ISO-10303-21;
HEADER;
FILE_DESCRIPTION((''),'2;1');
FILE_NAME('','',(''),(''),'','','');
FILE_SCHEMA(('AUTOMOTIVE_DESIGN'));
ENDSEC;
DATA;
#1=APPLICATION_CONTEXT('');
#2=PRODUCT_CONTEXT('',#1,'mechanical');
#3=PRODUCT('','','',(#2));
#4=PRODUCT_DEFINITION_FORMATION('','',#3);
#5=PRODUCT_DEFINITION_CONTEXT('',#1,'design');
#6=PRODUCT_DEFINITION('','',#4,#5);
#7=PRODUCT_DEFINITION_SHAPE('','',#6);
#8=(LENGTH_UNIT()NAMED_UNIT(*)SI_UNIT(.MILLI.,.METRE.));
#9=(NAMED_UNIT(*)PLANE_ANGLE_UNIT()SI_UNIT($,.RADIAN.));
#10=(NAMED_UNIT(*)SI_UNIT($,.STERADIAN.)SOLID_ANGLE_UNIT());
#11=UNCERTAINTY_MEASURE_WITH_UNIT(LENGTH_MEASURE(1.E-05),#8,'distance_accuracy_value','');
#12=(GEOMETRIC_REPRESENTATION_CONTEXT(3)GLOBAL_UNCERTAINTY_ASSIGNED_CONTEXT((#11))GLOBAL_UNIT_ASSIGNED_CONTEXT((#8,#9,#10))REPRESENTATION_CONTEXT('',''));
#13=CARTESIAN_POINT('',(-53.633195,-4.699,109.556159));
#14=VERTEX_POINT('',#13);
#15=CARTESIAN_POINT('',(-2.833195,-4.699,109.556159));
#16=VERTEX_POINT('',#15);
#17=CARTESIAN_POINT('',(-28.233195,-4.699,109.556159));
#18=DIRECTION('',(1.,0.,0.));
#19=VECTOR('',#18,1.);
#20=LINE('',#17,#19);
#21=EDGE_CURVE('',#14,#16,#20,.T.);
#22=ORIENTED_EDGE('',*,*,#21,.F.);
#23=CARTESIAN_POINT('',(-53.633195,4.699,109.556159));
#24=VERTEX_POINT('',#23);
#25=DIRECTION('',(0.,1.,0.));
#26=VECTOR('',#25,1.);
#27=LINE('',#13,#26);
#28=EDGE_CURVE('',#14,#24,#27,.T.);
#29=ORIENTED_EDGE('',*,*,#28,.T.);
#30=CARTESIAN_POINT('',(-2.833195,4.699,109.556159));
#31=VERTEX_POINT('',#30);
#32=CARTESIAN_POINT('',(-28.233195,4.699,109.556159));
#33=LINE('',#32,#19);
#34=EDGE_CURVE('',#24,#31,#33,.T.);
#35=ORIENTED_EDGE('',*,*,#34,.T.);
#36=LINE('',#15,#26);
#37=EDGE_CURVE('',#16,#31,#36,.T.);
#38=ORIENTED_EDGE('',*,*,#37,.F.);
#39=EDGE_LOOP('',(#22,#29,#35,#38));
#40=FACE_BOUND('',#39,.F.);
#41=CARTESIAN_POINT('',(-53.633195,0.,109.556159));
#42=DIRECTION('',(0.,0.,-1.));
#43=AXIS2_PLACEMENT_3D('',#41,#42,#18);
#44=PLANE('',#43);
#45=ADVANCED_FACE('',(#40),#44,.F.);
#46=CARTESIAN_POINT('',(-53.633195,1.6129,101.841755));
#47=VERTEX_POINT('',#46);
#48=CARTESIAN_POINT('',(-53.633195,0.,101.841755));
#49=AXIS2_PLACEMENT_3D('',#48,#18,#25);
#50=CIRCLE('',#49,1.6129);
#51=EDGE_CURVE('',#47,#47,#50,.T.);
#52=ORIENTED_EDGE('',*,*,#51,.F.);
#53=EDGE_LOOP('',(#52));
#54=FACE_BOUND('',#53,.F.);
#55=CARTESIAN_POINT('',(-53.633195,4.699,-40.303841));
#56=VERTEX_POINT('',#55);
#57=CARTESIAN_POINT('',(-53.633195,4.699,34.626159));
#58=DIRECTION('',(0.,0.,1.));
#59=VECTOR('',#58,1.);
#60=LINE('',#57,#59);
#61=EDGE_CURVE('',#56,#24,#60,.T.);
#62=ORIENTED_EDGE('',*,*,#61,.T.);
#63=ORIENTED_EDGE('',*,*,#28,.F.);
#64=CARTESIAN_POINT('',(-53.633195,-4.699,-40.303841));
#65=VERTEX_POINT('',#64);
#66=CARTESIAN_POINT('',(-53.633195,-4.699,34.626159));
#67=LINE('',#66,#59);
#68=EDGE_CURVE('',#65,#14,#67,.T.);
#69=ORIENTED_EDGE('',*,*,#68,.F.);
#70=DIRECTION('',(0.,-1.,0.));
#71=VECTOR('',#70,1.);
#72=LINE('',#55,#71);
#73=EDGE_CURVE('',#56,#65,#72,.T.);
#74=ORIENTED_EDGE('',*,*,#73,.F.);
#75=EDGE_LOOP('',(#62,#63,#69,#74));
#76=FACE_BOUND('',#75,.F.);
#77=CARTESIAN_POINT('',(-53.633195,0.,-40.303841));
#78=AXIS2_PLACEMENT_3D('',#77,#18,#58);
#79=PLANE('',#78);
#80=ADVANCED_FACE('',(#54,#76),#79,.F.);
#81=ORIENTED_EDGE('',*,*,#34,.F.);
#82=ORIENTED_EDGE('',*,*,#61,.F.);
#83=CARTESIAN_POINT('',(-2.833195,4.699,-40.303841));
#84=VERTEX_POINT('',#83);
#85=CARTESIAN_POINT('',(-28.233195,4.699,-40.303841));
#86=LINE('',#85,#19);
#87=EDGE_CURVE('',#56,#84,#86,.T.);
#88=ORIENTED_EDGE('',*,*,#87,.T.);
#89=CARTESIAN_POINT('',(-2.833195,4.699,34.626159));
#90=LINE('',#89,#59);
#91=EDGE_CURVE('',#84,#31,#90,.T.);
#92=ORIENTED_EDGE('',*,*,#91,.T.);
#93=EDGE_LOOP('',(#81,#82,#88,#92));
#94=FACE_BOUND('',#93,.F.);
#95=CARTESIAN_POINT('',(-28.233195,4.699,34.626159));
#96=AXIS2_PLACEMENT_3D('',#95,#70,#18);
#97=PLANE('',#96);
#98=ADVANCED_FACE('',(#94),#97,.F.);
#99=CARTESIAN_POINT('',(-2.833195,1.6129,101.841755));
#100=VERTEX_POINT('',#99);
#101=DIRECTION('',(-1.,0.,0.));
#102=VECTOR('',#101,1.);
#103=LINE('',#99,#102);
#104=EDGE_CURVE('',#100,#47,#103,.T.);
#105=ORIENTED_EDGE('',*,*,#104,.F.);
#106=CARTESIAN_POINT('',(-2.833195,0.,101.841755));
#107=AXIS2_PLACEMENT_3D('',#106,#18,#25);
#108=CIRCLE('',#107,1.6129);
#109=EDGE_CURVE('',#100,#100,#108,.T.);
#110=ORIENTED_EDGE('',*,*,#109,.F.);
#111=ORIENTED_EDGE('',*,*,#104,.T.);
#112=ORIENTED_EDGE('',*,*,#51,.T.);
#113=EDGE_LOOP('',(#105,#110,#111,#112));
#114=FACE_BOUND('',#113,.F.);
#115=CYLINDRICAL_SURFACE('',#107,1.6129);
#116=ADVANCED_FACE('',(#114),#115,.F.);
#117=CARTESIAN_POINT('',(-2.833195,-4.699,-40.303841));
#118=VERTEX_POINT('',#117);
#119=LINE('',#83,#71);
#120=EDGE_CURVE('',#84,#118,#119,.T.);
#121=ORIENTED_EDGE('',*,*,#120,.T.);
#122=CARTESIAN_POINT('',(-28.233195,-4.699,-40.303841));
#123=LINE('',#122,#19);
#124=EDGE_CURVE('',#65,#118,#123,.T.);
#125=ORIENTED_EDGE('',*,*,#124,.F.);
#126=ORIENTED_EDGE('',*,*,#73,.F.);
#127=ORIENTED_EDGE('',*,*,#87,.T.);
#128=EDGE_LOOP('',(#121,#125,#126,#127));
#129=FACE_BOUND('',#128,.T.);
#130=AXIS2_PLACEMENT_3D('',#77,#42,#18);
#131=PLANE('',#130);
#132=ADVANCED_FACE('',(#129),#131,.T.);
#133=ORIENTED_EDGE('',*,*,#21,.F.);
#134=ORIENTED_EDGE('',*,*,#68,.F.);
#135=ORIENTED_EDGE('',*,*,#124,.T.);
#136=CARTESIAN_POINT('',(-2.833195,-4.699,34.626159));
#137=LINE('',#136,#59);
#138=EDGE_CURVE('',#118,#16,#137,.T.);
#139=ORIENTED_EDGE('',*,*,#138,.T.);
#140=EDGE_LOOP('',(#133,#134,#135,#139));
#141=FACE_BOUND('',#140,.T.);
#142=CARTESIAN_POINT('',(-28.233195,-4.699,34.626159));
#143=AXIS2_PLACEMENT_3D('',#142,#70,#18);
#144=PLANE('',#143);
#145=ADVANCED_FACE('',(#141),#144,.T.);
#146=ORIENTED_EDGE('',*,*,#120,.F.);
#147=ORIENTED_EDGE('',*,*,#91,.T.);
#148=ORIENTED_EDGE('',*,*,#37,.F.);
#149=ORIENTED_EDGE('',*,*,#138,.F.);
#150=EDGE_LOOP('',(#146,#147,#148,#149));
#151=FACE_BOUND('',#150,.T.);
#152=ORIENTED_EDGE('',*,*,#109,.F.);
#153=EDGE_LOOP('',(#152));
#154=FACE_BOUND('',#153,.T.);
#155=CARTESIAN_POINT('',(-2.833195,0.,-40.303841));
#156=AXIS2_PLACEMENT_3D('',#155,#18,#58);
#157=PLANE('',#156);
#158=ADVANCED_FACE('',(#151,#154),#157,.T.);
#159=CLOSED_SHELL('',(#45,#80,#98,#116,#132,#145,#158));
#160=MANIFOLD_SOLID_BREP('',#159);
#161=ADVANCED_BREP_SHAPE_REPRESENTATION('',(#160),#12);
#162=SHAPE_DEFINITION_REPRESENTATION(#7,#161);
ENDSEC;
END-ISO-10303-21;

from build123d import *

# Parameters (mm, degrees)
F0_W     = 50.8
F0_H     = 149.86
F1_DEPTH = 4.699
F2_R     = 1.6129
F3_DEPTH = 89.408


with BuildPart() as f1:
    # F0 (on Front) → F1 (new body, symmetric)
    with BuildSketch(Plane.XZ):
        with Locations((-28.233195, 34.626159)):
            Rectangle(F0_W, F0_H)
    extrude(amount=F1_DEPTH, both=True)

    # F2 (on face) → F3 (cut)
    with BuildSketch(Plane.YZ.offset(-2.833195)):
        with Locations((0, 101.841755)):
            Circle(F2_R)
    extrude(amount=-F3_DEPTH, mode=Mode.SUBTRACT)


solid = f1.part
